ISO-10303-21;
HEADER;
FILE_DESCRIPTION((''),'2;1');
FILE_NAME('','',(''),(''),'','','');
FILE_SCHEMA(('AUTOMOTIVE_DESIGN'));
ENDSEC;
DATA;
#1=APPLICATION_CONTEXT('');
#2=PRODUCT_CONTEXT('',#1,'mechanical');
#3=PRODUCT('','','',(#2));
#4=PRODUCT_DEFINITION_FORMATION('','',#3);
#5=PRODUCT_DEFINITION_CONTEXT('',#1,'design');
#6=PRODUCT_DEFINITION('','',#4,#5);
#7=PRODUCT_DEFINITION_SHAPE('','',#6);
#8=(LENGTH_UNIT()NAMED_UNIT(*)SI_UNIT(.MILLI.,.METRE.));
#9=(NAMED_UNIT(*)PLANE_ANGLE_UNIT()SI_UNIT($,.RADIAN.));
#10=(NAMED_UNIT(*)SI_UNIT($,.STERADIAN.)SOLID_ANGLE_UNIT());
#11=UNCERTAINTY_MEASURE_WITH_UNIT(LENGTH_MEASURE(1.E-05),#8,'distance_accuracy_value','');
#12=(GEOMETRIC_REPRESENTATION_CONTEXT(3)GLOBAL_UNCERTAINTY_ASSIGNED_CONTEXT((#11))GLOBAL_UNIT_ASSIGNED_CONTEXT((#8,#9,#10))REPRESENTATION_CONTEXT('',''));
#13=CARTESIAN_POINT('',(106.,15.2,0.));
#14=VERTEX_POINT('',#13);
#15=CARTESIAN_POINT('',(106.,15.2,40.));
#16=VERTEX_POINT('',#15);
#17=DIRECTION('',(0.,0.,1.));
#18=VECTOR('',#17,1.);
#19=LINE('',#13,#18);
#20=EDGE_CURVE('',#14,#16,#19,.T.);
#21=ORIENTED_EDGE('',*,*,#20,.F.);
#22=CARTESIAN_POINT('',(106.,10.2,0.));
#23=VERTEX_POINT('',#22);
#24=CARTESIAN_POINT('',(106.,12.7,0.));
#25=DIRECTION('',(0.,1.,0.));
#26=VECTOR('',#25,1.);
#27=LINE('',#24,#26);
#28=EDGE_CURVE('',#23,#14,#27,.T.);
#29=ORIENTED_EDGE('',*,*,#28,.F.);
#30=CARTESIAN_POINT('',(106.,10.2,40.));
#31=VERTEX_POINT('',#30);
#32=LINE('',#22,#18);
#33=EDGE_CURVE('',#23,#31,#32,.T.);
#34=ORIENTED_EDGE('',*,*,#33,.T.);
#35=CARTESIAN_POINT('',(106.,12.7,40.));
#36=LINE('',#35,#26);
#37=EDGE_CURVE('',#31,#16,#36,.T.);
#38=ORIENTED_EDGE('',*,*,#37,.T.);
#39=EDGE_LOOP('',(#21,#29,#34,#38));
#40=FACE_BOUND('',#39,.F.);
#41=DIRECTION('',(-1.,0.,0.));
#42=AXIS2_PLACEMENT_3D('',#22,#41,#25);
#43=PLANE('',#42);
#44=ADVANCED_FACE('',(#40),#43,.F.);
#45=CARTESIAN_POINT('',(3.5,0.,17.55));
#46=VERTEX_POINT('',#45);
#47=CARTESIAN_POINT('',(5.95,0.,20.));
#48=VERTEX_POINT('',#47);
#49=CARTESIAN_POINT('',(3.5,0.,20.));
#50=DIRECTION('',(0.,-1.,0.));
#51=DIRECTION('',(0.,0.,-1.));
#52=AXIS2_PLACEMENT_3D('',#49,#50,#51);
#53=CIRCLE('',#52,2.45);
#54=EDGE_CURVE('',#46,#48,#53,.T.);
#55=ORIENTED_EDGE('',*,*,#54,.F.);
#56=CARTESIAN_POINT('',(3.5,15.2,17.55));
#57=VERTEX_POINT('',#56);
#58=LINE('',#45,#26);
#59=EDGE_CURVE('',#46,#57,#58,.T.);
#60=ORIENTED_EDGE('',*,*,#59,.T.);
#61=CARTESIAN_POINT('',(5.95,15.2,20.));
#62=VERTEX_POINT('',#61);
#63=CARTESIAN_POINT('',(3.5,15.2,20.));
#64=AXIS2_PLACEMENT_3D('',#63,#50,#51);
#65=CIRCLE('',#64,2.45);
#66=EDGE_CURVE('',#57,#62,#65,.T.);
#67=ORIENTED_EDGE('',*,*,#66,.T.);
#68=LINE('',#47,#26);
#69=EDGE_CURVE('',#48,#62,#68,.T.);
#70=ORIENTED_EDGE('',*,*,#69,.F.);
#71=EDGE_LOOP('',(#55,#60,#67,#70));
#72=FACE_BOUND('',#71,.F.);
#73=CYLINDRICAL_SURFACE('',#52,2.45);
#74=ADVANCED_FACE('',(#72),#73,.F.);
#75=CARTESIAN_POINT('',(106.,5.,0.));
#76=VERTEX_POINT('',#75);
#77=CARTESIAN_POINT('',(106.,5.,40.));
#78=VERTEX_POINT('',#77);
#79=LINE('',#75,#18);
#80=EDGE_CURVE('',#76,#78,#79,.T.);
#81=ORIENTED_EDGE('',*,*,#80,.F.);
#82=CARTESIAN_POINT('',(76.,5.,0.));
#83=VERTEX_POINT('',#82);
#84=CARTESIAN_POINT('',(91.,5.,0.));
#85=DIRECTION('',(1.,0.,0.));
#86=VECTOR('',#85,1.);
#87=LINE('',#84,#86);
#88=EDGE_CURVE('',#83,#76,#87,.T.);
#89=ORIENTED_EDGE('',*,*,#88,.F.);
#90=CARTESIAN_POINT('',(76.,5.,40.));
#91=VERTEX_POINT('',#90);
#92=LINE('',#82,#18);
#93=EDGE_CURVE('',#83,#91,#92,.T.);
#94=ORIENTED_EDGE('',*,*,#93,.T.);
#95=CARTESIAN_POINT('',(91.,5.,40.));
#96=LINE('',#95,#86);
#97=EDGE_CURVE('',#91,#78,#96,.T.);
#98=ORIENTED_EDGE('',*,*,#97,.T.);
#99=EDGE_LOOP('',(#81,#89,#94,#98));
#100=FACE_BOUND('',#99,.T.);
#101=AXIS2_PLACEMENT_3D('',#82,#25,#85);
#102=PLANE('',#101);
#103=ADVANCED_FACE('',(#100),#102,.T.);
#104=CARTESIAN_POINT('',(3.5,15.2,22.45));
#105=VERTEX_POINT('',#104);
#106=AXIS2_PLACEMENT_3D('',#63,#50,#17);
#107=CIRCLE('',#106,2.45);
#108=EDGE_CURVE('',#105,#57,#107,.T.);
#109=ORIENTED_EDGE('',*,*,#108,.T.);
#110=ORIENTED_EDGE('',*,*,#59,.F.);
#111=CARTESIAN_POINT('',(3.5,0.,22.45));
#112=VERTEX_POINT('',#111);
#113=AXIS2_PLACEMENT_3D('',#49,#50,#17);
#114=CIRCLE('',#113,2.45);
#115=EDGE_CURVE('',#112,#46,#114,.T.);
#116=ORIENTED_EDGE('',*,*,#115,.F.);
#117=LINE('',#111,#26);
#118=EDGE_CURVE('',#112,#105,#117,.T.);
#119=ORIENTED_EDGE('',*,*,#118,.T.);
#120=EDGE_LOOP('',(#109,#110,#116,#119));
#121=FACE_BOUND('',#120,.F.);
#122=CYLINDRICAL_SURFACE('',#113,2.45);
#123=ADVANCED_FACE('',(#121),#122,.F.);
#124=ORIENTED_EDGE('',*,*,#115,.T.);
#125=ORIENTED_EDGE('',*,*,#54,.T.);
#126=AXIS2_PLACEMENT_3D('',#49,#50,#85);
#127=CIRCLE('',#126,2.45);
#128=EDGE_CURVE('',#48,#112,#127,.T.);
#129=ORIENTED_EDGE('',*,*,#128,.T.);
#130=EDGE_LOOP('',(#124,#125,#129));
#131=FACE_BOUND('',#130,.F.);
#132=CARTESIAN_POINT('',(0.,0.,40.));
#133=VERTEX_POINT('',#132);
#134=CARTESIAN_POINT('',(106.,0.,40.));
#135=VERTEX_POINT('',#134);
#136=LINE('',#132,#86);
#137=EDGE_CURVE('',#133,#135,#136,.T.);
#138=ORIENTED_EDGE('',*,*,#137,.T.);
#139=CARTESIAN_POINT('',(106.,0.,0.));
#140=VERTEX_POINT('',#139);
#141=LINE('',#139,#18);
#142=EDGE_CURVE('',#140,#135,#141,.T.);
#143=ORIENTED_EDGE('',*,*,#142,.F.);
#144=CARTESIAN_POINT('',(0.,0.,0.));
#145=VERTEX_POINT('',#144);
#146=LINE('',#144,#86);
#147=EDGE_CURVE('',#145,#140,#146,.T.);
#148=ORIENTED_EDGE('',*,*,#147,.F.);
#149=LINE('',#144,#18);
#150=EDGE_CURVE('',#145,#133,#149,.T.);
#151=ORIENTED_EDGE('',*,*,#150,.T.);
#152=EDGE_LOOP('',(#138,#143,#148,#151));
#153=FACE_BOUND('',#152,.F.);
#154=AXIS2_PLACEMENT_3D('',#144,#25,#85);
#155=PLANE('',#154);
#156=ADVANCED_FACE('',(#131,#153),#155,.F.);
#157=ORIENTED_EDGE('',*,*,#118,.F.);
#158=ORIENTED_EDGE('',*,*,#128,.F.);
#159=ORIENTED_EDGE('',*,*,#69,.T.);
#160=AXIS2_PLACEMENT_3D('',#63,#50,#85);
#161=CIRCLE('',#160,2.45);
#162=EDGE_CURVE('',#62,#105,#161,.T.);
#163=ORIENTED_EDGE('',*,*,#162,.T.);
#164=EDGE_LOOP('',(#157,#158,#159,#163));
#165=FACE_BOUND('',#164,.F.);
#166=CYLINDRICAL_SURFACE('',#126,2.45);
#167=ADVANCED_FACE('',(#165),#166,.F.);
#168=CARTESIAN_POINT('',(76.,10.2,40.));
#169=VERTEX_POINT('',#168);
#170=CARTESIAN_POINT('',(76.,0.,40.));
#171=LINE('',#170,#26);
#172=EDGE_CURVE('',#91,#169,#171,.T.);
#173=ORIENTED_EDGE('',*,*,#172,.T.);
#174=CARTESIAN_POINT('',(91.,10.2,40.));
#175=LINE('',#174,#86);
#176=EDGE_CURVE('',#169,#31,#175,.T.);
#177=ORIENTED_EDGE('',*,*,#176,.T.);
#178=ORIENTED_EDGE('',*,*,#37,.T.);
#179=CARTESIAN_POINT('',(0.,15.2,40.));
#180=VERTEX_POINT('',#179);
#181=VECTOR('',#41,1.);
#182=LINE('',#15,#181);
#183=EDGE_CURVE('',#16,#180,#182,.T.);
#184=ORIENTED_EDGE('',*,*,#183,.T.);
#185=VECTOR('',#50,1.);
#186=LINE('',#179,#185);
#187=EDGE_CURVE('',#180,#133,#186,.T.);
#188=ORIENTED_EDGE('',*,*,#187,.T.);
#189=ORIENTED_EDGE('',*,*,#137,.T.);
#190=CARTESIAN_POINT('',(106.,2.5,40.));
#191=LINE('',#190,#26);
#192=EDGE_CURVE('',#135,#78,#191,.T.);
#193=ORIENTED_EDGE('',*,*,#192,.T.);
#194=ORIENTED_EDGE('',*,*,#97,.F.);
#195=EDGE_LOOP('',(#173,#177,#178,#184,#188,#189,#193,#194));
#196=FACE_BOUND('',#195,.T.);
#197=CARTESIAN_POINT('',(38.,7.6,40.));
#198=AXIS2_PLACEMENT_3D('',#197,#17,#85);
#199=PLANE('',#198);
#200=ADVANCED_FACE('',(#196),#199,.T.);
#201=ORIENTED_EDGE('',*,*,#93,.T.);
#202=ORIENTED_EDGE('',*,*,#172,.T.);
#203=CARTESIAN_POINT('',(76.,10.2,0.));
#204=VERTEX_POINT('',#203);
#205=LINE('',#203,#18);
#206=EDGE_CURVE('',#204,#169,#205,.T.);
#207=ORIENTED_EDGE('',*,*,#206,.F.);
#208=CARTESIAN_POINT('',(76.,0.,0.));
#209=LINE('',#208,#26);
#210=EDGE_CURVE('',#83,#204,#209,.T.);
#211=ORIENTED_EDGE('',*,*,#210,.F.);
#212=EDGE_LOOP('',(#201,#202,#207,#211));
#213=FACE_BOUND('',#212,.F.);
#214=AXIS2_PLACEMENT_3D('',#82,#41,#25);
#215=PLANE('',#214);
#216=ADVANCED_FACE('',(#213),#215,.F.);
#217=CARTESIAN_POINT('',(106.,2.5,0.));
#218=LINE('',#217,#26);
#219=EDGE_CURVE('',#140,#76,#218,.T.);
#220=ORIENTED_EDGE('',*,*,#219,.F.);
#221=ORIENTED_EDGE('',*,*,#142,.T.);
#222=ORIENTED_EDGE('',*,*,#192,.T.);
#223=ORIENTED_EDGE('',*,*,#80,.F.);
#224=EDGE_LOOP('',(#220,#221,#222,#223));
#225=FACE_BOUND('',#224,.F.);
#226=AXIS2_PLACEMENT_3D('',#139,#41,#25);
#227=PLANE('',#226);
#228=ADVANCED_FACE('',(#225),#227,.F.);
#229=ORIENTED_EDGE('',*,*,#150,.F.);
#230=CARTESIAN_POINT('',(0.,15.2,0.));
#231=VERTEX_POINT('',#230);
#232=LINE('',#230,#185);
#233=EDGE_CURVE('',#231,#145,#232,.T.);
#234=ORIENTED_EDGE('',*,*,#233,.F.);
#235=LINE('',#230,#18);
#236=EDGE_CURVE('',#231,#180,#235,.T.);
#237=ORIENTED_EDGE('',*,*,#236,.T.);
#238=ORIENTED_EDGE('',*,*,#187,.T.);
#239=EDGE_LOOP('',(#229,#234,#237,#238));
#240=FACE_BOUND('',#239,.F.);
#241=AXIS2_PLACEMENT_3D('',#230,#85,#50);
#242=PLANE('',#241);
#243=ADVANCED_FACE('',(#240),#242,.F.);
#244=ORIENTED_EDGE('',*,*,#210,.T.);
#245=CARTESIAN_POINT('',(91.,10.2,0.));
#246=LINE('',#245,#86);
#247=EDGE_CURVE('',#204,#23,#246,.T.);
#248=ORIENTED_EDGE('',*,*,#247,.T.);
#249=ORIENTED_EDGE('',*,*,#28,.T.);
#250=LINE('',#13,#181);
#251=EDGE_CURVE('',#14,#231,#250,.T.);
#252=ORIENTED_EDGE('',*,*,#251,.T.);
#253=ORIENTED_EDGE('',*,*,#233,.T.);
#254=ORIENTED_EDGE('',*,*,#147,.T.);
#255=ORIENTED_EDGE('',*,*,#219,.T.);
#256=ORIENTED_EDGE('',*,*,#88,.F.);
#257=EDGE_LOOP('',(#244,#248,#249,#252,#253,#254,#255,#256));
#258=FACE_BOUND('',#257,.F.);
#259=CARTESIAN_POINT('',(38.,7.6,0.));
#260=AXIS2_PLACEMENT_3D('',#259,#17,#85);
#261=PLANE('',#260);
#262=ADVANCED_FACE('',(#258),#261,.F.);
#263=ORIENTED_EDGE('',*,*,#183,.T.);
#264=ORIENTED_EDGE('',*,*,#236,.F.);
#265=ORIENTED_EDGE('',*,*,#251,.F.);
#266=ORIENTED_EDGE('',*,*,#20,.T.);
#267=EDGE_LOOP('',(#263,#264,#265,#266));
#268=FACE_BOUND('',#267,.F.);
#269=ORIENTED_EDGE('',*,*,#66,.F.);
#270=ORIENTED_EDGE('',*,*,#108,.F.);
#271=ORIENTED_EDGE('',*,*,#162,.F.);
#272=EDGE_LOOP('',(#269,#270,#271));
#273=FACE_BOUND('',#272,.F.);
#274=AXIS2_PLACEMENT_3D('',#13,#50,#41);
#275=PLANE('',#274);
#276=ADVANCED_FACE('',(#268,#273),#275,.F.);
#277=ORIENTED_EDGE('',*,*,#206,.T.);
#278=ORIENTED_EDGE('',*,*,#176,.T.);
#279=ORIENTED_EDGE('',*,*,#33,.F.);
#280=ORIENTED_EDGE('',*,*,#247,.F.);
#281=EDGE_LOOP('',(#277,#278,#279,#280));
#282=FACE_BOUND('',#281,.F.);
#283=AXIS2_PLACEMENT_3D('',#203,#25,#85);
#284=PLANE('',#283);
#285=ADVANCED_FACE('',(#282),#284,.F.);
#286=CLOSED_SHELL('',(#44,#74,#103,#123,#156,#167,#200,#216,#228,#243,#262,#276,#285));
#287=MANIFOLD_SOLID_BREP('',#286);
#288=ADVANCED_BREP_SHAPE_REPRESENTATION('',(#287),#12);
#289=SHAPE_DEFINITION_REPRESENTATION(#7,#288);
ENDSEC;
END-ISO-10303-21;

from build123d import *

# Parameters (mm, degrees)
F0_W     = 30
F0_H     = 5
F1_DEPTH = 40
F3_DEPTH = 25


with BuildPart() as f1:
    # F0 (on Top) → F1 (new body)
    with BuildSketch(Plane.XY):
        Polygon((0, 15.2), (0, 0), (76, 0), (76, 5), (76, 10.2), (76, 15.2), align=None)
        with Locations((91, 12.7)):
            Rectangle(F0_W, F0_H)
        with Locations((91, 2.5)):
            Rectangle(F0_W, F0_H)
    extrude(amount=F1_DEPTH)

    # F2 (on face) → F3 (cut)
    with BuildSketch(Plane.XZ):
        with BuildLine():
            ThreePointArc((5.95, 20), (5.2324116139, 21.7324116139), (3.5, 22.45))
            Line((3.5, 22.45), (3.5, 17.55))
            ThreePointArc((3.5, 17.55), (5.2324116139, 18.2675883861), (5.95, 20))
        make_face()
        with BuildLine():
            Line((3.5, 17.55), (3.5, 22.45))
            ThreePointArc((3.5, 22.45), (1.05, 20), (3.5, 17.55))
        make_face()
    extrude(amount=-F3_DEPTH, mode=Mode.SUBTRACT)


solid = f1.part
